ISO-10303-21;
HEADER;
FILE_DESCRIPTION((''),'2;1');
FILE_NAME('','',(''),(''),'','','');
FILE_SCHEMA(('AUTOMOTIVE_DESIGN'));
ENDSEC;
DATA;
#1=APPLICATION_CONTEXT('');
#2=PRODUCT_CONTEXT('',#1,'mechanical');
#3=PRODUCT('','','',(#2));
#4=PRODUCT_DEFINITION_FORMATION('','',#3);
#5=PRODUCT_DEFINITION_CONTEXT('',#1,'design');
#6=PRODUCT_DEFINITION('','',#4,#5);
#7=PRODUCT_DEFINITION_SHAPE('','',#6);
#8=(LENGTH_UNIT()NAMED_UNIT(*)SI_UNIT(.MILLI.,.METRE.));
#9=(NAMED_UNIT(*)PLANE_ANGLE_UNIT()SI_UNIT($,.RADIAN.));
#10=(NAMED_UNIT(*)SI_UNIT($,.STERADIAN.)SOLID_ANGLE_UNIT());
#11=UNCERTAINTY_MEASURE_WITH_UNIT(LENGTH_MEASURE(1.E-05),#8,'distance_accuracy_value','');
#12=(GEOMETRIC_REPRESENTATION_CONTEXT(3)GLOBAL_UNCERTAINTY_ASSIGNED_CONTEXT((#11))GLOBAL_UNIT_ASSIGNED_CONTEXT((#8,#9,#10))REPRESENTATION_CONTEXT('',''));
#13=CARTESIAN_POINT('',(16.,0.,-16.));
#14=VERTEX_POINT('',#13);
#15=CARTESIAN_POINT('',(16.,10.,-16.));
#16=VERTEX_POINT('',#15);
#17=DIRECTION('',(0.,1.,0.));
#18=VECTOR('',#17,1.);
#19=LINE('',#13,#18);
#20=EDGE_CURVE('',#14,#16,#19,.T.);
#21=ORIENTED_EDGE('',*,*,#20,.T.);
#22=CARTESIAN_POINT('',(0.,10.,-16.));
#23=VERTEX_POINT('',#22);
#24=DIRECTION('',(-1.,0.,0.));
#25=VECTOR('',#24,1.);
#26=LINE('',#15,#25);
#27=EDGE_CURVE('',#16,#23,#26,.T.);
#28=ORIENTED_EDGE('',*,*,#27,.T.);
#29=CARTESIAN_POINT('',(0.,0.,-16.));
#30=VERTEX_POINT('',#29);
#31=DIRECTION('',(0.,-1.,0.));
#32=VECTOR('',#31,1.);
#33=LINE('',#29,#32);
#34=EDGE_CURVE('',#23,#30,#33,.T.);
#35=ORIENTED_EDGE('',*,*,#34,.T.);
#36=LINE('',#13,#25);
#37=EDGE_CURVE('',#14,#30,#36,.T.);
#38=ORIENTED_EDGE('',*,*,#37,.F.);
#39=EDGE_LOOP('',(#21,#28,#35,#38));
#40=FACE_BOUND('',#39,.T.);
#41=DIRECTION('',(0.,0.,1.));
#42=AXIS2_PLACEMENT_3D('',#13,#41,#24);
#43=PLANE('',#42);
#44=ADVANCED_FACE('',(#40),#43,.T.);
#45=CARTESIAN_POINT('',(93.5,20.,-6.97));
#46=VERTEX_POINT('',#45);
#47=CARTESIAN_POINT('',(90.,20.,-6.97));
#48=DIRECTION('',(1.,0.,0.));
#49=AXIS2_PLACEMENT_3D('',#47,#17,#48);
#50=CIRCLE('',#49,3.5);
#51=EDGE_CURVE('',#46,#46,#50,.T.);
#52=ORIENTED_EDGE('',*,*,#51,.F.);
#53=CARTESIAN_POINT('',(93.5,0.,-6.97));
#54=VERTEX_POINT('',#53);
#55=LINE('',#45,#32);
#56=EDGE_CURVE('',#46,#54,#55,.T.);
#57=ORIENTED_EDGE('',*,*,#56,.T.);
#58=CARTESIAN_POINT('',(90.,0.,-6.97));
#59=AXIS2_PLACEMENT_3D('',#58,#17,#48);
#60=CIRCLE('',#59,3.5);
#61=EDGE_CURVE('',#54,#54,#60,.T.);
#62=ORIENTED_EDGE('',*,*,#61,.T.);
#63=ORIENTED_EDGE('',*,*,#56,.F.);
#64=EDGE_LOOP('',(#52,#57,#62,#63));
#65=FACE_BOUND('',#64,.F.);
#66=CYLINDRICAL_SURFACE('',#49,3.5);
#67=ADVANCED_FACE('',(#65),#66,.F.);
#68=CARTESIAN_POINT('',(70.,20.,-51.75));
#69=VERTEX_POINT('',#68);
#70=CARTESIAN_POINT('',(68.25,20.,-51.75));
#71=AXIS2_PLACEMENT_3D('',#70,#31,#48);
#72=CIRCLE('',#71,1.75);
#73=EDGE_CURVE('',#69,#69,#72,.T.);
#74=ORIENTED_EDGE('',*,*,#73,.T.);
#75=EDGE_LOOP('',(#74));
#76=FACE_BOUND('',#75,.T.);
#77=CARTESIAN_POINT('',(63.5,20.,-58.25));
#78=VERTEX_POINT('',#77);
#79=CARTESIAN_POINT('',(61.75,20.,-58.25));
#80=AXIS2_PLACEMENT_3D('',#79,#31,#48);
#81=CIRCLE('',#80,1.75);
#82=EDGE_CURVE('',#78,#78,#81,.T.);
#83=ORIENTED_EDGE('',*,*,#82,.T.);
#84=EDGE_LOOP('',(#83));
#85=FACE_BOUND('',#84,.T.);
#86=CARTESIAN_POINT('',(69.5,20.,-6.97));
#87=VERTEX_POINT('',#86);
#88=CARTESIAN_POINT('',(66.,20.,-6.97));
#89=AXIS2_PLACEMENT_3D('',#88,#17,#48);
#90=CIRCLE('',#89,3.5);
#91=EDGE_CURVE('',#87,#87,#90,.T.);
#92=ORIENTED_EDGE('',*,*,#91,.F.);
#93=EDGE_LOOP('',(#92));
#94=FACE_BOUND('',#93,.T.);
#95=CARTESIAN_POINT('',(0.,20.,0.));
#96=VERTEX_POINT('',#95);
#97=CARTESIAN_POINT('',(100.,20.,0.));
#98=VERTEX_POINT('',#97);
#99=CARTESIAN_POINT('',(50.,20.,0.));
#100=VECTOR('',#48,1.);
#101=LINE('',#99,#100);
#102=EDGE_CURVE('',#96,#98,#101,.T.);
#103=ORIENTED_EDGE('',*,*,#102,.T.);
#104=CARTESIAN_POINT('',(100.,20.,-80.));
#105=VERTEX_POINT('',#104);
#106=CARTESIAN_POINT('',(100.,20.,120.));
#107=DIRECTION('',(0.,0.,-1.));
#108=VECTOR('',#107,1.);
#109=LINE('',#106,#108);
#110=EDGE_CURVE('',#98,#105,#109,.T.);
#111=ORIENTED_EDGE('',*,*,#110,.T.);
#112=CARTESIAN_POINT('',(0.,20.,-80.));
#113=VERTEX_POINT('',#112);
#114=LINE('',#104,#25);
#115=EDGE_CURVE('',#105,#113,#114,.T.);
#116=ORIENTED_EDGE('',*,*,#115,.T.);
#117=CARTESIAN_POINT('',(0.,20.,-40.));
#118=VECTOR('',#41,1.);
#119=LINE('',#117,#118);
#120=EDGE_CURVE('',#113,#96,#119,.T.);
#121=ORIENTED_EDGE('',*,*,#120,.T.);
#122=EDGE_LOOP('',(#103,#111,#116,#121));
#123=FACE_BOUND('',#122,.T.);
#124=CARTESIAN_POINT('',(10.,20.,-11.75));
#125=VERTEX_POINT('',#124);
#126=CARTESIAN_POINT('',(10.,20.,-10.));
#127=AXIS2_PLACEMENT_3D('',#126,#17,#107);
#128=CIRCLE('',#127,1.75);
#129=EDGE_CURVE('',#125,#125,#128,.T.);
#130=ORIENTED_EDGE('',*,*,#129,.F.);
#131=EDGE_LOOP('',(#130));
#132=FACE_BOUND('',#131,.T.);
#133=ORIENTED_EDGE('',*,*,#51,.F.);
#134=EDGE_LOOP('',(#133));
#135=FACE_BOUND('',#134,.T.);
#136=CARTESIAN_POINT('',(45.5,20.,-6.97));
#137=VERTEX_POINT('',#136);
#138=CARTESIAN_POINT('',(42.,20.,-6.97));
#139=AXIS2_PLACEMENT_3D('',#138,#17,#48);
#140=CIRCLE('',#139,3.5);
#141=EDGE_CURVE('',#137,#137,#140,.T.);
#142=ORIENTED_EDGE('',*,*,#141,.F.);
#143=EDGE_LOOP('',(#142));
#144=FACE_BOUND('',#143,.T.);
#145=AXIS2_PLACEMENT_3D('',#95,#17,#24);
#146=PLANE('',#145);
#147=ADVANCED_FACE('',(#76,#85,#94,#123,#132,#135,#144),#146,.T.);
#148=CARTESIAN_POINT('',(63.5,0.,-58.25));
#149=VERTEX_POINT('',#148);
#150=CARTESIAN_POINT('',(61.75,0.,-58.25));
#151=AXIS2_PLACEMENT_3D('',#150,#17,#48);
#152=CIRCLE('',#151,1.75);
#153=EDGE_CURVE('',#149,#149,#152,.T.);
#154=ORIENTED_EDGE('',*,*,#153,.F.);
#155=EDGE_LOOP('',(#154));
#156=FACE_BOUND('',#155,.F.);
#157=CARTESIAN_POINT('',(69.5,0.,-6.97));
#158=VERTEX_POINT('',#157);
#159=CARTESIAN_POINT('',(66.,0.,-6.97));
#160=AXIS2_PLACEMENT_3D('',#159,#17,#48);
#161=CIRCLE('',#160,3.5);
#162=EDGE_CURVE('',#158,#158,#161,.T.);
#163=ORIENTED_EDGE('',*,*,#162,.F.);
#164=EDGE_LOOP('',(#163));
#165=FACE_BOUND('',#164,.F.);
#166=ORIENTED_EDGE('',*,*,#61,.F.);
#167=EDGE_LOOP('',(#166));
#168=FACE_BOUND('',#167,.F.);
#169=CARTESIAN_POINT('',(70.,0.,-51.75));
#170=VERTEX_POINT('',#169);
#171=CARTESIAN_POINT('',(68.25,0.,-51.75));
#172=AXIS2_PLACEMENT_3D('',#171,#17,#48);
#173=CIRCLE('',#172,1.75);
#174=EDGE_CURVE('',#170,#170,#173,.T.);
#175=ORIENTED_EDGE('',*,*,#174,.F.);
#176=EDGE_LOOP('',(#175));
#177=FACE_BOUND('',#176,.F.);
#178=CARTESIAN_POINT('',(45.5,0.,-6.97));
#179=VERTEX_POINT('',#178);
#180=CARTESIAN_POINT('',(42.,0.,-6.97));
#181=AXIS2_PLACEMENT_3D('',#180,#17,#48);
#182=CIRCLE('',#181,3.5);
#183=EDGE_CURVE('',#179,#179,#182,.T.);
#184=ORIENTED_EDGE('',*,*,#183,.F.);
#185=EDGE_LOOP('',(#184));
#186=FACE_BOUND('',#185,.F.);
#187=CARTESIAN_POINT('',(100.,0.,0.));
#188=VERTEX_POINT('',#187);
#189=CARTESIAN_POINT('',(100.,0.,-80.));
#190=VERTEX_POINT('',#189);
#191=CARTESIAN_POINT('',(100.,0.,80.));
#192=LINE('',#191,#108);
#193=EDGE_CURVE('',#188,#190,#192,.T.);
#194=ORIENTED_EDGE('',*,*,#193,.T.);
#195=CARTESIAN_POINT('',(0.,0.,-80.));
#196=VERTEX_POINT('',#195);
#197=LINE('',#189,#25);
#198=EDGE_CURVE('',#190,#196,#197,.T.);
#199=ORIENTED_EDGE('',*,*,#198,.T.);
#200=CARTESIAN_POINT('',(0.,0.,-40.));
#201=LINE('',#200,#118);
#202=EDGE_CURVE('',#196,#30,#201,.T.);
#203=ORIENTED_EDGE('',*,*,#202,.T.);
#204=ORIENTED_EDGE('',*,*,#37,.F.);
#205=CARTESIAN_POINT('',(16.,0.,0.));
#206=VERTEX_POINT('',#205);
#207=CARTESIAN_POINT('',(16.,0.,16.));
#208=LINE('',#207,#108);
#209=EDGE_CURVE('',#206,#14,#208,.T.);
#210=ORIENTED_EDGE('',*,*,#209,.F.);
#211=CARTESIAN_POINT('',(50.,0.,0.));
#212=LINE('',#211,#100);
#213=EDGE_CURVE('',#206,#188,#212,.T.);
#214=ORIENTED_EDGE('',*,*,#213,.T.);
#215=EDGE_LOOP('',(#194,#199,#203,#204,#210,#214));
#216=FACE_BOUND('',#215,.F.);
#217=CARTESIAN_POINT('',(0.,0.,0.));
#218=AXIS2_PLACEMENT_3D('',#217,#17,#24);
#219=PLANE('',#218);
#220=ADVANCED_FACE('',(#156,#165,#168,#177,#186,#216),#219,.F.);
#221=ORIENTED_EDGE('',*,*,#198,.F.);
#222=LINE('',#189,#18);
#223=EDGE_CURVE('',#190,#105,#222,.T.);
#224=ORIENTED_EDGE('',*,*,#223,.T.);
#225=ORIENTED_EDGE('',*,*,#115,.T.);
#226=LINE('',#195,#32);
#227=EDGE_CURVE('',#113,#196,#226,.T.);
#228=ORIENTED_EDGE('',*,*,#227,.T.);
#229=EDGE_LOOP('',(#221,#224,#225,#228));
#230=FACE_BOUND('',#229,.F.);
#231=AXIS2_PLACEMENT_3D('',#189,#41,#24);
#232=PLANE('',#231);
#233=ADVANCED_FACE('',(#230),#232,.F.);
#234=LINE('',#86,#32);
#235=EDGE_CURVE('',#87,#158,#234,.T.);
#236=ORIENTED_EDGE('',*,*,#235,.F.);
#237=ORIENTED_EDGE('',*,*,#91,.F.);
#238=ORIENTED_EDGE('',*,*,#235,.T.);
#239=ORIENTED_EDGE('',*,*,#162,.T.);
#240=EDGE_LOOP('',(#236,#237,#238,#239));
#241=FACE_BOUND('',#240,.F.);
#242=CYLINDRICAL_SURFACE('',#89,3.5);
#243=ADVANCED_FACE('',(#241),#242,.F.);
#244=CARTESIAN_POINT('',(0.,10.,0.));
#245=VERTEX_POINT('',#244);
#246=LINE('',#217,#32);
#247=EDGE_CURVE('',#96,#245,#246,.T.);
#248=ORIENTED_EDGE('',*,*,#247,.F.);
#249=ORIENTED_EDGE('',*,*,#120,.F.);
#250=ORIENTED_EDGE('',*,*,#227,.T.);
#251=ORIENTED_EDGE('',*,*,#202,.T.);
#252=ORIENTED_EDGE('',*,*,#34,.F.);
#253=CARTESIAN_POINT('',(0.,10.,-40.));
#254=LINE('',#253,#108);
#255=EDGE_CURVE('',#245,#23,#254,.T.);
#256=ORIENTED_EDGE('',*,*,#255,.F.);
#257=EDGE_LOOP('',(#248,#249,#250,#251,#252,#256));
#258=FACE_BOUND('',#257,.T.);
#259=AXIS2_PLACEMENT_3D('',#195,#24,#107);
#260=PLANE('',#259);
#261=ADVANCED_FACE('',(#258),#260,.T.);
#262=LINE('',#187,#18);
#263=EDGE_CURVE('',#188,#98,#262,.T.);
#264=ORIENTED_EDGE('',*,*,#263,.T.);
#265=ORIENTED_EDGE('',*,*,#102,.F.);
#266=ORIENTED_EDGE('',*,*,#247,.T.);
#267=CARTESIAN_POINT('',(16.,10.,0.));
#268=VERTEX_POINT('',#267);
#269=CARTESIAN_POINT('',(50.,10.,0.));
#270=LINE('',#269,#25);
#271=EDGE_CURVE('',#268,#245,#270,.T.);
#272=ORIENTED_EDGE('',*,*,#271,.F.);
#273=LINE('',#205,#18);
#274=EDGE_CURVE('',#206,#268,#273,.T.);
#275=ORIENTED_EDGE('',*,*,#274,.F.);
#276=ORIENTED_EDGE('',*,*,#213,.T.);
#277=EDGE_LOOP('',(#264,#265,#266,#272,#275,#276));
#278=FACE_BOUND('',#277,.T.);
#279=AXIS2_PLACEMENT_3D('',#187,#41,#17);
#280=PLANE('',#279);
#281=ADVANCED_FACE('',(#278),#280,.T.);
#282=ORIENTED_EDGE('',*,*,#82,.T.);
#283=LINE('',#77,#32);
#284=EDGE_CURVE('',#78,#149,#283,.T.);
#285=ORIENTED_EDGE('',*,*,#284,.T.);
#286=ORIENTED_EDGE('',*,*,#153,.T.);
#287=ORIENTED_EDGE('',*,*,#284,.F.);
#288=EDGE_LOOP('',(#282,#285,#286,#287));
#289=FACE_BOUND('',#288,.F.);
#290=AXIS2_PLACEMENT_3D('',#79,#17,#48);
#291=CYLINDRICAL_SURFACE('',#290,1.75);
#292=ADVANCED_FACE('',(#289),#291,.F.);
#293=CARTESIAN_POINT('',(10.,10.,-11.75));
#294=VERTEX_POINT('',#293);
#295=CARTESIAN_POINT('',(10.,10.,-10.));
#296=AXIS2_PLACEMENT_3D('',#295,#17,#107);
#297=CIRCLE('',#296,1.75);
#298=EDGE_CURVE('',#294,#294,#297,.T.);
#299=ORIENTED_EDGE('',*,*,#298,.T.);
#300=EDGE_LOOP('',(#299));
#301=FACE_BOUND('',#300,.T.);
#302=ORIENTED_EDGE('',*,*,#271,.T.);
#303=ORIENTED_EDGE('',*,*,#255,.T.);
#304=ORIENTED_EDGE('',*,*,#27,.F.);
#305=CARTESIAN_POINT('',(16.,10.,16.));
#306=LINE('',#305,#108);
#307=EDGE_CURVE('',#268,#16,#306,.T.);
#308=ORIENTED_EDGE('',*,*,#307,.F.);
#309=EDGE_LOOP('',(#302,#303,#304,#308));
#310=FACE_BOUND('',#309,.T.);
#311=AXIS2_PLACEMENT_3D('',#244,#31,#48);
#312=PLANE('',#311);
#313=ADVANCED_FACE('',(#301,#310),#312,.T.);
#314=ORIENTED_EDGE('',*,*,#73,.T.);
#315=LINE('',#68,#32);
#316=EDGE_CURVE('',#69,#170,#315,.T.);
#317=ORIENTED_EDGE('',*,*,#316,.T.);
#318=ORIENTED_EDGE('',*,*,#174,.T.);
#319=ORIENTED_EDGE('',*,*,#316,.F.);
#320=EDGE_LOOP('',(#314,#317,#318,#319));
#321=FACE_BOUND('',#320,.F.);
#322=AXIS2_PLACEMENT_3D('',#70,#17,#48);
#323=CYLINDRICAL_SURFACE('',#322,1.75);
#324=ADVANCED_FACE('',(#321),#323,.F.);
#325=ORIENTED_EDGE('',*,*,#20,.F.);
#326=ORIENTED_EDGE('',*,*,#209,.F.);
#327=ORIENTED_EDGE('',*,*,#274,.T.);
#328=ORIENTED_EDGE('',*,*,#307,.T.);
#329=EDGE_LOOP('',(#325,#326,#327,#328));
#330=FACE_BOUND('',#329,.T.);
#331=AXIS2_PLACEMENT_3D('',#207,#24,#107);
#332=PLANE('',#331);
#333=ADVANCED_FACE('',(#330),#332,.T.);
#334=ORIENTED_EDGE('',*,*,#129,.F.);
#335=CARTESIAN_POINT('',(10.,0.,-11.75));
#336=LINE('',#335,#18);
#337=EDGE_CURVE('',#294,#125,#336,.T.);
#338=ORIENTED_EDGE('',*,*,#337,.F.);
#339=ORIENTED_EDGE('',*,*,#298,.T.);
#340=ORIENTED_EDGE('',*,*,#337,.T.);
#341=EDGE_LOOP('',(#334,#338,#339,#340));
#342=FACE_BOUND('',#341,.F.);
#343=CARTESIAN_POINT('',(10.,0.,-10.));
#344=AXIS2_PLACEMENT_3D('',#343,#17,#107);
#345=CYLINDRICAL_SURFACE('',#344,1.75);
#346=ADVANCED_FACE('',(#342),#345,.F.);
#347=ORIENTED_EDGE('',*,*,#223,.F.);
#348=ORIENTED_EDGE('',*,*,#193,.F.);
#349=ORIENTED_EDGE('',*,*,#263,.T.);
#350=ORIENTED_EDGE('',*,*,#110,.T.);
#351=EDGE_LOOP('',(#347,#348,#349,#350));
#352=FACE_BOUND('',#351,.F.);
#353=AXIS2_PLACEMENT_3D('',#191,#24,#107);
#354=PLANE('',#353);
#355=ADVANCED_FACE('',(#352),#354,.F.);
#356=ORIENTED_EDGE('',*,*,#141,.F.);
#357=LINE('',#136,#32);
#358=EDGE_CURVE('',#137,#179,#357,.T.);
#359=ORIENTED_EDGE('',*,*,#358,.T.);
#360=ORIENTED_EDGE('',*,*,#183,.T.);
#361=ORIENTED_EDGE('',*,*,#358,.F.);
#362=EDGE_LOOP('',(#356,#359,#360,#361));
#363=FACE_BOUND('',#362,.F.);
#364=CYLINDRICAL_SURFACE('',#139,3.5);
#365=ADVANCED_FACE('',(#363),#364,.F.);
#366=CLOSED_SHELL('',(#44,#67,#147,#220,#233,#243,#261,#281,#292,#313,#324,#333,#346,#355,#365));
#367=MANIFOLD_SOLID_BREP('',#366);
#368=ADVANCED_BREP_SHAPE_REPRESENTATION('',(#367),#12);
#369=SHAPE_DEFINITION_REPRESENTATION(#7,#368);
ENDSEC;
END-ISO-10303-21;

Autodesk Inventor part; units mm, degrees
ref_plane "YZ Plane" through (0, 0, 0) normal (1, 0, 0) x (0, 1, 0)
ref_plane "XZ Plane" through (0, 0, 0) normal (0, 1, 0) x (-1, 0, 0)
ref_plane "XY Plane" through (0, 0, 0) normal (0, 0, 1) x (1, 0, 0)
sketch "Boceto1" plane through (0, 0, 0) normal (0, 1, 0) x (-1, 0, 0)
  line L0 (100, 80) -> (-100, 80)
  line L1 (-100, 80) -> (-100, -80)
  line L2 (-100, -80) -> (100, -80)
  line L3 (100, -80) -> (100, 80)
  line L4 (100, 80) -> (-100, -80) construction
  line L5 (-100, 80) -> (100, -80) construction
  point P0 (0, 0)
  dimension "d0" = 200
  dimension "d1" = 160
extrude "Extrusión1" add sketch "Boceto1" along normal blind 20
sketch "Boceto2" plane through (0, 20, 0) normal (0, 1, 0) x (1, 0, 0)
  circle A0 centre (-90, -57.83) radius 3.5
  line L0 (-100, -65.43) -> (-32, -65.43)
  line L1 (-32, -65.43) -> (-32, 14.57)
  line L2 (-32, 14.57) -> (-100, 14.57)
  line L3 (-100, 14.57) -> (-100, -65.43)
  line L4 (-66, -65.43) -> (-66, -8.508)
  circle A1 centre (-66, -57.83) radius 3.5
  circle A2 centre (-42, -57.83) radius 3.5
  line L5 (-32, -25.43) -> (-48.2072, -25.43)
  circle A3 centre (-42, 6.97) radius 3.5
  circle A4 centre (-66, 6.97) radius 3.5
  circle A5 centre (-90, 6.97) radius 3.5
  circle A6 centre (-60, 55) radius 5
  line L6 (-100, 80) -> (-100, -80) projected
  line L7 (0, 0) -> (0, -20.5185)
  circle A7 centre (90, -57.83) radius 3.5
  circle A8 centre (66, -57.83) radius 3.5
  circle A9 centre (42, -57.83) radius 3.5
  line L8 (100, -65.43) -> (32, -65.43)
  line L9 (66, -65.43) -> (66, -8.508)
  line L10 (32, -25.43) -> (48.2072, -25.43)
  circle A10 centre (90, 6.97) radius 3.5
  line L11 (100, 14.57) -> (100, -65.43)
  circle A11 centre (66, 6.97) radius 3.5
  line L12 (32, 14.57) -> (100, 14.57)
  line L13 (32, -65.43) -> (32, 14.57)
  circle A12 centre (42, 6.97) radius 3.5
  circle A13 centre (60, 55) radius 5
  line L14 (100, 80) -> (100, -80)
  dimension "d4" = 7
  dimension "d5" = 68
  dimension "d6" = 80
  dimension "d7" = 7.6
  dimension "d8" = 10
  dimension "d9" = 7
  dimension "d10" = 24
  dimension "d11" = 10
  dimension "d16" = 0
  dimension "d19" = 40
extrude "Extrusión2" cut sketch "Boceto2" against normal blind 20 contours A0 | A1 L4 | L4 A1 | A2 | A3 | A4 | A5 | A7 | A8 L9 | L9 A8 | A9 | A10 | A11 | A12
sketch "Boceto3" plane through (-100, 0, 80) normal (0, 0, 1) x (1, 0, 0)
  line L0 (0, 20) -> (30, 20)
  line L1 (30, 20) -> (30, 10)
  line L2 (30, 10) -> (0, 10)
  line L3 (0, 10) -> (0, 20)
  line L4 (100, 0) -> (100, 11.6249)
  line L5 (200, 20) -> (170, 20)
  line L6 (170, 20) -> (170, 10)
  line L7 (170, 10) -> (200, 10)
  line L8 (200, 10) -> (200, 20)
  dimension "d22" = 30
  dimension "d23" = 10
extrude "Extrusión3" add sketch "Boceto3" along normal blind 40
sketch "Boceto4" plane through (0, 20, 0) normal (0, 1, 0) x (1, 0, 0)
  line L0 (-60, 60) -> (-60, 50)
  line L1 (-70, 50) -> (-70, 60)
  line L2 (-60, 50) -> (-70, 60) construction
  line L3 (-70, 50) -> (-60, 60) construction
  line L4 (-60, 50) -> (-70, 50)
  circle A0 centre (-68.25, 51.75) radius 1.75
  line L5 (-70, 60) -> (-60, 60)
  circle A1 centre (-61.75, 58.25) radius 1.75
  line L6 (100, 80) -> (-100, 80) projected
  line L7 (0, 80) -> (0, 60)
  line L8 (60, 60) -> (60, 50)
  circle A2 centre (61.75, 58.25) radius 1.75
  line L9 (70, 60) -> (60, 60)
  line L10 (70, 50) -> (70, 60)
  line L11 (60, 50) -> (70, 60) construction
  line L12 (70, 50) -> (60, 60) construction
  line L13 (60, 50) -> (70, 50)
  circle A3 centre (68.25, 51.75) radius 1.75
  line L14 (-100, 80) -> (-100, -120) projected
  line L15 (100, 80) -> (100, -120) projected
  point P0 (0, 0)
  point P1 (-70.0286, 64.971)
  point P2 (-65, 50)
  point P3 (70.0286, 64.971)
  point P4 (65, 50)
  dimension "d26" = 1.75
  dimension "d27" = 8.25
  dimension "d28" = 20
  dimension "d29" = 10
  dimension "d30" = 10
  dimension "d31" = 1.75
  dimension "d32" = 1.75
  dimension "d33" = 1.75
  dimension "d58" = 30
  dimension "d59" = 30
extrude "Extrusión4" cut sketch "Boceto4" against normal blind 40 contours A1 | A0 | A2 | A3
sketch "Boceto5" plane through (0, 20, 0) normal (0, 1, 0) x (1, 0, 0)
  line L0 (-100, -80) -> (-100, -120)
  line L1 (-70.0001, -120) -> (-70.0001, -80)
  line L2 (-55.1959, -79.9497) -> (-70.0001, -80)
  line L3 (-70.0001, -80) -> (-100, -80)
  line L4 (-100, -120) -> (-70.0001, -120)
  line L5 (-64.3507, -80) -> (-74.3507, -80)
  circle A0 centre (-81.75, -108.25) radius 1.75
  circle A1 centre (-88.25, -101.75) radius 1.75
  line L6 (-70.0001, -80) -> (70.0001, -80)
  line L7 (0, -80) -> (0, -101.75)
  circle A2 centre (81.75, -108.25) radius 1.75
  circle A3 centre (88.25, -101.75) radius 1.75
  line L8 (-70, -80) -> (70, -80) projected
  line L9 (-100, 80) -> (-100, -120) projected
  point P0 (0, 0)
  point P1 (-81.75, -101.75)
  point P2 (-63.4459, -118.25)
  point P3 (81.75, -101.75)
  dimension "d36" = 11.7499
  dimension "d37" = 40
  dimension "d38" = 29.9999
  dimension "d39" = 21.75
  dimension "d40" = 11.75
  dimension "d41" = 28.3003
  dimension "d42" = 11.7499
  dimension "d43" = 0
  dimension "d44" = 0
hole "Agujero1" at (-88.25, 20, 101.75) at (-81.75, 20, 108.25) at (81.75, 20, 108.25) at (88.25, 20, 101.75) direction (0, -1, 0) diameter 3.5 end through all
ref_plane "Plano de trabajo1" through (100, 0, 0) normal (0, 0, -1) x (-1, 0, 0)
ref_plane "Plano de trabajo2" through (0, 0, -80) normal (-1, 0, 0) x (0, 0, 1)
sketch "Boceto6" plane through (0, 0, 0) normal (0, -1, 0) x (1, 0, 0)
  circle A0 centre (10, -10) radius 1.75
  line L0 (6.803, 0) -> (14.6069, 0)
  line L1 (0, 0) -> (0, -4.8284)
  line L2 (0, 0) -> (20.0354, 0)
  circle A1 centre (10, 10) radius 1.75
  line L3 (0, 0) -> (0, 4.8284)
  circle A2 centre (-10, 10) radius 1.75
  circle A3 centre (-10, -10) radius 1.75
  dimension "d63" = 3.5
  dimension "d64" = 10
  dimension "d65" = 10
hole "Agujero2" at (10, 0, 10) at (-10, 0, 10) at (-10, 0, -10) at (10, 0, -10) direction (0, 1, 0) diameter 3.5 end through all
sketch "Boceto7" plane through (0, 0, 0) normal (0, -1, 0) x (1, 0, 0)
  line L0 (-16, 16) -> (16, 16)
  line L1 (16, 16) -> (16, -16)
  line L2 (16, -16) -> (-16, -16)
  line L3 (-16, -16) -> (-16, 16)
  line L4 (-16, 16) -> (16, -16) construction
  line L5 (16, 16) -> (-16, -16) construction
  point P0 (0, 0)
  point P1 (0, 0)
  point P2 (0, 0)
  dimension "d73" = 32
  dimension "d74" = 32
extrude "Extrusión5" cut sketch "Boceto7" against normal blind 10
sketch "Boceto8" plane through (0, 20, 0) normal (0, 1, 0) x (1, 0, 0)
  line L0 (-15, -60) -> (15, -60)
  circle A0 centre (10, -65) radius 1.75
  line L1 (-10, -65) -> (10, -65)
  line L2 (15, -60) -> (15, -70)
  circle A1 centre (-10, -65) radius 1.75
  line L3 (-15, -70) -> (15, -60) construction
  line L4 (-15, -60) -> (15, -70) construction
  line L5 (-15, -70) -> (-15, -60)
  line L6 (15, -70) -> (-15, -70)
  point P0 (0, 0)
  point P1 (0, -69.1269)
  point P2 (-15, -67.1661)
  point P3 (0, -69.1269)
  point P4 (15, -65)
  dimension "d77" = 10
  dimension "d78" = 30
  dimension "d79" = 5
  dimension "d80" = 5
  dimension "d81" = 5
  dimension "d82" = 5
hole "Agujero3" at (-10, 20, 65) at (10, 20, 65) direction (0, -1, 0) diameter 3.5 end through all
split "Dividir1" plane through (100, 0, 0) removes the side toward (0, 0, 1)
split "Dividir2" plane through (0, 0, -80) removes the side toward (-1, 0, 0)
properties part number "base_back_2"
